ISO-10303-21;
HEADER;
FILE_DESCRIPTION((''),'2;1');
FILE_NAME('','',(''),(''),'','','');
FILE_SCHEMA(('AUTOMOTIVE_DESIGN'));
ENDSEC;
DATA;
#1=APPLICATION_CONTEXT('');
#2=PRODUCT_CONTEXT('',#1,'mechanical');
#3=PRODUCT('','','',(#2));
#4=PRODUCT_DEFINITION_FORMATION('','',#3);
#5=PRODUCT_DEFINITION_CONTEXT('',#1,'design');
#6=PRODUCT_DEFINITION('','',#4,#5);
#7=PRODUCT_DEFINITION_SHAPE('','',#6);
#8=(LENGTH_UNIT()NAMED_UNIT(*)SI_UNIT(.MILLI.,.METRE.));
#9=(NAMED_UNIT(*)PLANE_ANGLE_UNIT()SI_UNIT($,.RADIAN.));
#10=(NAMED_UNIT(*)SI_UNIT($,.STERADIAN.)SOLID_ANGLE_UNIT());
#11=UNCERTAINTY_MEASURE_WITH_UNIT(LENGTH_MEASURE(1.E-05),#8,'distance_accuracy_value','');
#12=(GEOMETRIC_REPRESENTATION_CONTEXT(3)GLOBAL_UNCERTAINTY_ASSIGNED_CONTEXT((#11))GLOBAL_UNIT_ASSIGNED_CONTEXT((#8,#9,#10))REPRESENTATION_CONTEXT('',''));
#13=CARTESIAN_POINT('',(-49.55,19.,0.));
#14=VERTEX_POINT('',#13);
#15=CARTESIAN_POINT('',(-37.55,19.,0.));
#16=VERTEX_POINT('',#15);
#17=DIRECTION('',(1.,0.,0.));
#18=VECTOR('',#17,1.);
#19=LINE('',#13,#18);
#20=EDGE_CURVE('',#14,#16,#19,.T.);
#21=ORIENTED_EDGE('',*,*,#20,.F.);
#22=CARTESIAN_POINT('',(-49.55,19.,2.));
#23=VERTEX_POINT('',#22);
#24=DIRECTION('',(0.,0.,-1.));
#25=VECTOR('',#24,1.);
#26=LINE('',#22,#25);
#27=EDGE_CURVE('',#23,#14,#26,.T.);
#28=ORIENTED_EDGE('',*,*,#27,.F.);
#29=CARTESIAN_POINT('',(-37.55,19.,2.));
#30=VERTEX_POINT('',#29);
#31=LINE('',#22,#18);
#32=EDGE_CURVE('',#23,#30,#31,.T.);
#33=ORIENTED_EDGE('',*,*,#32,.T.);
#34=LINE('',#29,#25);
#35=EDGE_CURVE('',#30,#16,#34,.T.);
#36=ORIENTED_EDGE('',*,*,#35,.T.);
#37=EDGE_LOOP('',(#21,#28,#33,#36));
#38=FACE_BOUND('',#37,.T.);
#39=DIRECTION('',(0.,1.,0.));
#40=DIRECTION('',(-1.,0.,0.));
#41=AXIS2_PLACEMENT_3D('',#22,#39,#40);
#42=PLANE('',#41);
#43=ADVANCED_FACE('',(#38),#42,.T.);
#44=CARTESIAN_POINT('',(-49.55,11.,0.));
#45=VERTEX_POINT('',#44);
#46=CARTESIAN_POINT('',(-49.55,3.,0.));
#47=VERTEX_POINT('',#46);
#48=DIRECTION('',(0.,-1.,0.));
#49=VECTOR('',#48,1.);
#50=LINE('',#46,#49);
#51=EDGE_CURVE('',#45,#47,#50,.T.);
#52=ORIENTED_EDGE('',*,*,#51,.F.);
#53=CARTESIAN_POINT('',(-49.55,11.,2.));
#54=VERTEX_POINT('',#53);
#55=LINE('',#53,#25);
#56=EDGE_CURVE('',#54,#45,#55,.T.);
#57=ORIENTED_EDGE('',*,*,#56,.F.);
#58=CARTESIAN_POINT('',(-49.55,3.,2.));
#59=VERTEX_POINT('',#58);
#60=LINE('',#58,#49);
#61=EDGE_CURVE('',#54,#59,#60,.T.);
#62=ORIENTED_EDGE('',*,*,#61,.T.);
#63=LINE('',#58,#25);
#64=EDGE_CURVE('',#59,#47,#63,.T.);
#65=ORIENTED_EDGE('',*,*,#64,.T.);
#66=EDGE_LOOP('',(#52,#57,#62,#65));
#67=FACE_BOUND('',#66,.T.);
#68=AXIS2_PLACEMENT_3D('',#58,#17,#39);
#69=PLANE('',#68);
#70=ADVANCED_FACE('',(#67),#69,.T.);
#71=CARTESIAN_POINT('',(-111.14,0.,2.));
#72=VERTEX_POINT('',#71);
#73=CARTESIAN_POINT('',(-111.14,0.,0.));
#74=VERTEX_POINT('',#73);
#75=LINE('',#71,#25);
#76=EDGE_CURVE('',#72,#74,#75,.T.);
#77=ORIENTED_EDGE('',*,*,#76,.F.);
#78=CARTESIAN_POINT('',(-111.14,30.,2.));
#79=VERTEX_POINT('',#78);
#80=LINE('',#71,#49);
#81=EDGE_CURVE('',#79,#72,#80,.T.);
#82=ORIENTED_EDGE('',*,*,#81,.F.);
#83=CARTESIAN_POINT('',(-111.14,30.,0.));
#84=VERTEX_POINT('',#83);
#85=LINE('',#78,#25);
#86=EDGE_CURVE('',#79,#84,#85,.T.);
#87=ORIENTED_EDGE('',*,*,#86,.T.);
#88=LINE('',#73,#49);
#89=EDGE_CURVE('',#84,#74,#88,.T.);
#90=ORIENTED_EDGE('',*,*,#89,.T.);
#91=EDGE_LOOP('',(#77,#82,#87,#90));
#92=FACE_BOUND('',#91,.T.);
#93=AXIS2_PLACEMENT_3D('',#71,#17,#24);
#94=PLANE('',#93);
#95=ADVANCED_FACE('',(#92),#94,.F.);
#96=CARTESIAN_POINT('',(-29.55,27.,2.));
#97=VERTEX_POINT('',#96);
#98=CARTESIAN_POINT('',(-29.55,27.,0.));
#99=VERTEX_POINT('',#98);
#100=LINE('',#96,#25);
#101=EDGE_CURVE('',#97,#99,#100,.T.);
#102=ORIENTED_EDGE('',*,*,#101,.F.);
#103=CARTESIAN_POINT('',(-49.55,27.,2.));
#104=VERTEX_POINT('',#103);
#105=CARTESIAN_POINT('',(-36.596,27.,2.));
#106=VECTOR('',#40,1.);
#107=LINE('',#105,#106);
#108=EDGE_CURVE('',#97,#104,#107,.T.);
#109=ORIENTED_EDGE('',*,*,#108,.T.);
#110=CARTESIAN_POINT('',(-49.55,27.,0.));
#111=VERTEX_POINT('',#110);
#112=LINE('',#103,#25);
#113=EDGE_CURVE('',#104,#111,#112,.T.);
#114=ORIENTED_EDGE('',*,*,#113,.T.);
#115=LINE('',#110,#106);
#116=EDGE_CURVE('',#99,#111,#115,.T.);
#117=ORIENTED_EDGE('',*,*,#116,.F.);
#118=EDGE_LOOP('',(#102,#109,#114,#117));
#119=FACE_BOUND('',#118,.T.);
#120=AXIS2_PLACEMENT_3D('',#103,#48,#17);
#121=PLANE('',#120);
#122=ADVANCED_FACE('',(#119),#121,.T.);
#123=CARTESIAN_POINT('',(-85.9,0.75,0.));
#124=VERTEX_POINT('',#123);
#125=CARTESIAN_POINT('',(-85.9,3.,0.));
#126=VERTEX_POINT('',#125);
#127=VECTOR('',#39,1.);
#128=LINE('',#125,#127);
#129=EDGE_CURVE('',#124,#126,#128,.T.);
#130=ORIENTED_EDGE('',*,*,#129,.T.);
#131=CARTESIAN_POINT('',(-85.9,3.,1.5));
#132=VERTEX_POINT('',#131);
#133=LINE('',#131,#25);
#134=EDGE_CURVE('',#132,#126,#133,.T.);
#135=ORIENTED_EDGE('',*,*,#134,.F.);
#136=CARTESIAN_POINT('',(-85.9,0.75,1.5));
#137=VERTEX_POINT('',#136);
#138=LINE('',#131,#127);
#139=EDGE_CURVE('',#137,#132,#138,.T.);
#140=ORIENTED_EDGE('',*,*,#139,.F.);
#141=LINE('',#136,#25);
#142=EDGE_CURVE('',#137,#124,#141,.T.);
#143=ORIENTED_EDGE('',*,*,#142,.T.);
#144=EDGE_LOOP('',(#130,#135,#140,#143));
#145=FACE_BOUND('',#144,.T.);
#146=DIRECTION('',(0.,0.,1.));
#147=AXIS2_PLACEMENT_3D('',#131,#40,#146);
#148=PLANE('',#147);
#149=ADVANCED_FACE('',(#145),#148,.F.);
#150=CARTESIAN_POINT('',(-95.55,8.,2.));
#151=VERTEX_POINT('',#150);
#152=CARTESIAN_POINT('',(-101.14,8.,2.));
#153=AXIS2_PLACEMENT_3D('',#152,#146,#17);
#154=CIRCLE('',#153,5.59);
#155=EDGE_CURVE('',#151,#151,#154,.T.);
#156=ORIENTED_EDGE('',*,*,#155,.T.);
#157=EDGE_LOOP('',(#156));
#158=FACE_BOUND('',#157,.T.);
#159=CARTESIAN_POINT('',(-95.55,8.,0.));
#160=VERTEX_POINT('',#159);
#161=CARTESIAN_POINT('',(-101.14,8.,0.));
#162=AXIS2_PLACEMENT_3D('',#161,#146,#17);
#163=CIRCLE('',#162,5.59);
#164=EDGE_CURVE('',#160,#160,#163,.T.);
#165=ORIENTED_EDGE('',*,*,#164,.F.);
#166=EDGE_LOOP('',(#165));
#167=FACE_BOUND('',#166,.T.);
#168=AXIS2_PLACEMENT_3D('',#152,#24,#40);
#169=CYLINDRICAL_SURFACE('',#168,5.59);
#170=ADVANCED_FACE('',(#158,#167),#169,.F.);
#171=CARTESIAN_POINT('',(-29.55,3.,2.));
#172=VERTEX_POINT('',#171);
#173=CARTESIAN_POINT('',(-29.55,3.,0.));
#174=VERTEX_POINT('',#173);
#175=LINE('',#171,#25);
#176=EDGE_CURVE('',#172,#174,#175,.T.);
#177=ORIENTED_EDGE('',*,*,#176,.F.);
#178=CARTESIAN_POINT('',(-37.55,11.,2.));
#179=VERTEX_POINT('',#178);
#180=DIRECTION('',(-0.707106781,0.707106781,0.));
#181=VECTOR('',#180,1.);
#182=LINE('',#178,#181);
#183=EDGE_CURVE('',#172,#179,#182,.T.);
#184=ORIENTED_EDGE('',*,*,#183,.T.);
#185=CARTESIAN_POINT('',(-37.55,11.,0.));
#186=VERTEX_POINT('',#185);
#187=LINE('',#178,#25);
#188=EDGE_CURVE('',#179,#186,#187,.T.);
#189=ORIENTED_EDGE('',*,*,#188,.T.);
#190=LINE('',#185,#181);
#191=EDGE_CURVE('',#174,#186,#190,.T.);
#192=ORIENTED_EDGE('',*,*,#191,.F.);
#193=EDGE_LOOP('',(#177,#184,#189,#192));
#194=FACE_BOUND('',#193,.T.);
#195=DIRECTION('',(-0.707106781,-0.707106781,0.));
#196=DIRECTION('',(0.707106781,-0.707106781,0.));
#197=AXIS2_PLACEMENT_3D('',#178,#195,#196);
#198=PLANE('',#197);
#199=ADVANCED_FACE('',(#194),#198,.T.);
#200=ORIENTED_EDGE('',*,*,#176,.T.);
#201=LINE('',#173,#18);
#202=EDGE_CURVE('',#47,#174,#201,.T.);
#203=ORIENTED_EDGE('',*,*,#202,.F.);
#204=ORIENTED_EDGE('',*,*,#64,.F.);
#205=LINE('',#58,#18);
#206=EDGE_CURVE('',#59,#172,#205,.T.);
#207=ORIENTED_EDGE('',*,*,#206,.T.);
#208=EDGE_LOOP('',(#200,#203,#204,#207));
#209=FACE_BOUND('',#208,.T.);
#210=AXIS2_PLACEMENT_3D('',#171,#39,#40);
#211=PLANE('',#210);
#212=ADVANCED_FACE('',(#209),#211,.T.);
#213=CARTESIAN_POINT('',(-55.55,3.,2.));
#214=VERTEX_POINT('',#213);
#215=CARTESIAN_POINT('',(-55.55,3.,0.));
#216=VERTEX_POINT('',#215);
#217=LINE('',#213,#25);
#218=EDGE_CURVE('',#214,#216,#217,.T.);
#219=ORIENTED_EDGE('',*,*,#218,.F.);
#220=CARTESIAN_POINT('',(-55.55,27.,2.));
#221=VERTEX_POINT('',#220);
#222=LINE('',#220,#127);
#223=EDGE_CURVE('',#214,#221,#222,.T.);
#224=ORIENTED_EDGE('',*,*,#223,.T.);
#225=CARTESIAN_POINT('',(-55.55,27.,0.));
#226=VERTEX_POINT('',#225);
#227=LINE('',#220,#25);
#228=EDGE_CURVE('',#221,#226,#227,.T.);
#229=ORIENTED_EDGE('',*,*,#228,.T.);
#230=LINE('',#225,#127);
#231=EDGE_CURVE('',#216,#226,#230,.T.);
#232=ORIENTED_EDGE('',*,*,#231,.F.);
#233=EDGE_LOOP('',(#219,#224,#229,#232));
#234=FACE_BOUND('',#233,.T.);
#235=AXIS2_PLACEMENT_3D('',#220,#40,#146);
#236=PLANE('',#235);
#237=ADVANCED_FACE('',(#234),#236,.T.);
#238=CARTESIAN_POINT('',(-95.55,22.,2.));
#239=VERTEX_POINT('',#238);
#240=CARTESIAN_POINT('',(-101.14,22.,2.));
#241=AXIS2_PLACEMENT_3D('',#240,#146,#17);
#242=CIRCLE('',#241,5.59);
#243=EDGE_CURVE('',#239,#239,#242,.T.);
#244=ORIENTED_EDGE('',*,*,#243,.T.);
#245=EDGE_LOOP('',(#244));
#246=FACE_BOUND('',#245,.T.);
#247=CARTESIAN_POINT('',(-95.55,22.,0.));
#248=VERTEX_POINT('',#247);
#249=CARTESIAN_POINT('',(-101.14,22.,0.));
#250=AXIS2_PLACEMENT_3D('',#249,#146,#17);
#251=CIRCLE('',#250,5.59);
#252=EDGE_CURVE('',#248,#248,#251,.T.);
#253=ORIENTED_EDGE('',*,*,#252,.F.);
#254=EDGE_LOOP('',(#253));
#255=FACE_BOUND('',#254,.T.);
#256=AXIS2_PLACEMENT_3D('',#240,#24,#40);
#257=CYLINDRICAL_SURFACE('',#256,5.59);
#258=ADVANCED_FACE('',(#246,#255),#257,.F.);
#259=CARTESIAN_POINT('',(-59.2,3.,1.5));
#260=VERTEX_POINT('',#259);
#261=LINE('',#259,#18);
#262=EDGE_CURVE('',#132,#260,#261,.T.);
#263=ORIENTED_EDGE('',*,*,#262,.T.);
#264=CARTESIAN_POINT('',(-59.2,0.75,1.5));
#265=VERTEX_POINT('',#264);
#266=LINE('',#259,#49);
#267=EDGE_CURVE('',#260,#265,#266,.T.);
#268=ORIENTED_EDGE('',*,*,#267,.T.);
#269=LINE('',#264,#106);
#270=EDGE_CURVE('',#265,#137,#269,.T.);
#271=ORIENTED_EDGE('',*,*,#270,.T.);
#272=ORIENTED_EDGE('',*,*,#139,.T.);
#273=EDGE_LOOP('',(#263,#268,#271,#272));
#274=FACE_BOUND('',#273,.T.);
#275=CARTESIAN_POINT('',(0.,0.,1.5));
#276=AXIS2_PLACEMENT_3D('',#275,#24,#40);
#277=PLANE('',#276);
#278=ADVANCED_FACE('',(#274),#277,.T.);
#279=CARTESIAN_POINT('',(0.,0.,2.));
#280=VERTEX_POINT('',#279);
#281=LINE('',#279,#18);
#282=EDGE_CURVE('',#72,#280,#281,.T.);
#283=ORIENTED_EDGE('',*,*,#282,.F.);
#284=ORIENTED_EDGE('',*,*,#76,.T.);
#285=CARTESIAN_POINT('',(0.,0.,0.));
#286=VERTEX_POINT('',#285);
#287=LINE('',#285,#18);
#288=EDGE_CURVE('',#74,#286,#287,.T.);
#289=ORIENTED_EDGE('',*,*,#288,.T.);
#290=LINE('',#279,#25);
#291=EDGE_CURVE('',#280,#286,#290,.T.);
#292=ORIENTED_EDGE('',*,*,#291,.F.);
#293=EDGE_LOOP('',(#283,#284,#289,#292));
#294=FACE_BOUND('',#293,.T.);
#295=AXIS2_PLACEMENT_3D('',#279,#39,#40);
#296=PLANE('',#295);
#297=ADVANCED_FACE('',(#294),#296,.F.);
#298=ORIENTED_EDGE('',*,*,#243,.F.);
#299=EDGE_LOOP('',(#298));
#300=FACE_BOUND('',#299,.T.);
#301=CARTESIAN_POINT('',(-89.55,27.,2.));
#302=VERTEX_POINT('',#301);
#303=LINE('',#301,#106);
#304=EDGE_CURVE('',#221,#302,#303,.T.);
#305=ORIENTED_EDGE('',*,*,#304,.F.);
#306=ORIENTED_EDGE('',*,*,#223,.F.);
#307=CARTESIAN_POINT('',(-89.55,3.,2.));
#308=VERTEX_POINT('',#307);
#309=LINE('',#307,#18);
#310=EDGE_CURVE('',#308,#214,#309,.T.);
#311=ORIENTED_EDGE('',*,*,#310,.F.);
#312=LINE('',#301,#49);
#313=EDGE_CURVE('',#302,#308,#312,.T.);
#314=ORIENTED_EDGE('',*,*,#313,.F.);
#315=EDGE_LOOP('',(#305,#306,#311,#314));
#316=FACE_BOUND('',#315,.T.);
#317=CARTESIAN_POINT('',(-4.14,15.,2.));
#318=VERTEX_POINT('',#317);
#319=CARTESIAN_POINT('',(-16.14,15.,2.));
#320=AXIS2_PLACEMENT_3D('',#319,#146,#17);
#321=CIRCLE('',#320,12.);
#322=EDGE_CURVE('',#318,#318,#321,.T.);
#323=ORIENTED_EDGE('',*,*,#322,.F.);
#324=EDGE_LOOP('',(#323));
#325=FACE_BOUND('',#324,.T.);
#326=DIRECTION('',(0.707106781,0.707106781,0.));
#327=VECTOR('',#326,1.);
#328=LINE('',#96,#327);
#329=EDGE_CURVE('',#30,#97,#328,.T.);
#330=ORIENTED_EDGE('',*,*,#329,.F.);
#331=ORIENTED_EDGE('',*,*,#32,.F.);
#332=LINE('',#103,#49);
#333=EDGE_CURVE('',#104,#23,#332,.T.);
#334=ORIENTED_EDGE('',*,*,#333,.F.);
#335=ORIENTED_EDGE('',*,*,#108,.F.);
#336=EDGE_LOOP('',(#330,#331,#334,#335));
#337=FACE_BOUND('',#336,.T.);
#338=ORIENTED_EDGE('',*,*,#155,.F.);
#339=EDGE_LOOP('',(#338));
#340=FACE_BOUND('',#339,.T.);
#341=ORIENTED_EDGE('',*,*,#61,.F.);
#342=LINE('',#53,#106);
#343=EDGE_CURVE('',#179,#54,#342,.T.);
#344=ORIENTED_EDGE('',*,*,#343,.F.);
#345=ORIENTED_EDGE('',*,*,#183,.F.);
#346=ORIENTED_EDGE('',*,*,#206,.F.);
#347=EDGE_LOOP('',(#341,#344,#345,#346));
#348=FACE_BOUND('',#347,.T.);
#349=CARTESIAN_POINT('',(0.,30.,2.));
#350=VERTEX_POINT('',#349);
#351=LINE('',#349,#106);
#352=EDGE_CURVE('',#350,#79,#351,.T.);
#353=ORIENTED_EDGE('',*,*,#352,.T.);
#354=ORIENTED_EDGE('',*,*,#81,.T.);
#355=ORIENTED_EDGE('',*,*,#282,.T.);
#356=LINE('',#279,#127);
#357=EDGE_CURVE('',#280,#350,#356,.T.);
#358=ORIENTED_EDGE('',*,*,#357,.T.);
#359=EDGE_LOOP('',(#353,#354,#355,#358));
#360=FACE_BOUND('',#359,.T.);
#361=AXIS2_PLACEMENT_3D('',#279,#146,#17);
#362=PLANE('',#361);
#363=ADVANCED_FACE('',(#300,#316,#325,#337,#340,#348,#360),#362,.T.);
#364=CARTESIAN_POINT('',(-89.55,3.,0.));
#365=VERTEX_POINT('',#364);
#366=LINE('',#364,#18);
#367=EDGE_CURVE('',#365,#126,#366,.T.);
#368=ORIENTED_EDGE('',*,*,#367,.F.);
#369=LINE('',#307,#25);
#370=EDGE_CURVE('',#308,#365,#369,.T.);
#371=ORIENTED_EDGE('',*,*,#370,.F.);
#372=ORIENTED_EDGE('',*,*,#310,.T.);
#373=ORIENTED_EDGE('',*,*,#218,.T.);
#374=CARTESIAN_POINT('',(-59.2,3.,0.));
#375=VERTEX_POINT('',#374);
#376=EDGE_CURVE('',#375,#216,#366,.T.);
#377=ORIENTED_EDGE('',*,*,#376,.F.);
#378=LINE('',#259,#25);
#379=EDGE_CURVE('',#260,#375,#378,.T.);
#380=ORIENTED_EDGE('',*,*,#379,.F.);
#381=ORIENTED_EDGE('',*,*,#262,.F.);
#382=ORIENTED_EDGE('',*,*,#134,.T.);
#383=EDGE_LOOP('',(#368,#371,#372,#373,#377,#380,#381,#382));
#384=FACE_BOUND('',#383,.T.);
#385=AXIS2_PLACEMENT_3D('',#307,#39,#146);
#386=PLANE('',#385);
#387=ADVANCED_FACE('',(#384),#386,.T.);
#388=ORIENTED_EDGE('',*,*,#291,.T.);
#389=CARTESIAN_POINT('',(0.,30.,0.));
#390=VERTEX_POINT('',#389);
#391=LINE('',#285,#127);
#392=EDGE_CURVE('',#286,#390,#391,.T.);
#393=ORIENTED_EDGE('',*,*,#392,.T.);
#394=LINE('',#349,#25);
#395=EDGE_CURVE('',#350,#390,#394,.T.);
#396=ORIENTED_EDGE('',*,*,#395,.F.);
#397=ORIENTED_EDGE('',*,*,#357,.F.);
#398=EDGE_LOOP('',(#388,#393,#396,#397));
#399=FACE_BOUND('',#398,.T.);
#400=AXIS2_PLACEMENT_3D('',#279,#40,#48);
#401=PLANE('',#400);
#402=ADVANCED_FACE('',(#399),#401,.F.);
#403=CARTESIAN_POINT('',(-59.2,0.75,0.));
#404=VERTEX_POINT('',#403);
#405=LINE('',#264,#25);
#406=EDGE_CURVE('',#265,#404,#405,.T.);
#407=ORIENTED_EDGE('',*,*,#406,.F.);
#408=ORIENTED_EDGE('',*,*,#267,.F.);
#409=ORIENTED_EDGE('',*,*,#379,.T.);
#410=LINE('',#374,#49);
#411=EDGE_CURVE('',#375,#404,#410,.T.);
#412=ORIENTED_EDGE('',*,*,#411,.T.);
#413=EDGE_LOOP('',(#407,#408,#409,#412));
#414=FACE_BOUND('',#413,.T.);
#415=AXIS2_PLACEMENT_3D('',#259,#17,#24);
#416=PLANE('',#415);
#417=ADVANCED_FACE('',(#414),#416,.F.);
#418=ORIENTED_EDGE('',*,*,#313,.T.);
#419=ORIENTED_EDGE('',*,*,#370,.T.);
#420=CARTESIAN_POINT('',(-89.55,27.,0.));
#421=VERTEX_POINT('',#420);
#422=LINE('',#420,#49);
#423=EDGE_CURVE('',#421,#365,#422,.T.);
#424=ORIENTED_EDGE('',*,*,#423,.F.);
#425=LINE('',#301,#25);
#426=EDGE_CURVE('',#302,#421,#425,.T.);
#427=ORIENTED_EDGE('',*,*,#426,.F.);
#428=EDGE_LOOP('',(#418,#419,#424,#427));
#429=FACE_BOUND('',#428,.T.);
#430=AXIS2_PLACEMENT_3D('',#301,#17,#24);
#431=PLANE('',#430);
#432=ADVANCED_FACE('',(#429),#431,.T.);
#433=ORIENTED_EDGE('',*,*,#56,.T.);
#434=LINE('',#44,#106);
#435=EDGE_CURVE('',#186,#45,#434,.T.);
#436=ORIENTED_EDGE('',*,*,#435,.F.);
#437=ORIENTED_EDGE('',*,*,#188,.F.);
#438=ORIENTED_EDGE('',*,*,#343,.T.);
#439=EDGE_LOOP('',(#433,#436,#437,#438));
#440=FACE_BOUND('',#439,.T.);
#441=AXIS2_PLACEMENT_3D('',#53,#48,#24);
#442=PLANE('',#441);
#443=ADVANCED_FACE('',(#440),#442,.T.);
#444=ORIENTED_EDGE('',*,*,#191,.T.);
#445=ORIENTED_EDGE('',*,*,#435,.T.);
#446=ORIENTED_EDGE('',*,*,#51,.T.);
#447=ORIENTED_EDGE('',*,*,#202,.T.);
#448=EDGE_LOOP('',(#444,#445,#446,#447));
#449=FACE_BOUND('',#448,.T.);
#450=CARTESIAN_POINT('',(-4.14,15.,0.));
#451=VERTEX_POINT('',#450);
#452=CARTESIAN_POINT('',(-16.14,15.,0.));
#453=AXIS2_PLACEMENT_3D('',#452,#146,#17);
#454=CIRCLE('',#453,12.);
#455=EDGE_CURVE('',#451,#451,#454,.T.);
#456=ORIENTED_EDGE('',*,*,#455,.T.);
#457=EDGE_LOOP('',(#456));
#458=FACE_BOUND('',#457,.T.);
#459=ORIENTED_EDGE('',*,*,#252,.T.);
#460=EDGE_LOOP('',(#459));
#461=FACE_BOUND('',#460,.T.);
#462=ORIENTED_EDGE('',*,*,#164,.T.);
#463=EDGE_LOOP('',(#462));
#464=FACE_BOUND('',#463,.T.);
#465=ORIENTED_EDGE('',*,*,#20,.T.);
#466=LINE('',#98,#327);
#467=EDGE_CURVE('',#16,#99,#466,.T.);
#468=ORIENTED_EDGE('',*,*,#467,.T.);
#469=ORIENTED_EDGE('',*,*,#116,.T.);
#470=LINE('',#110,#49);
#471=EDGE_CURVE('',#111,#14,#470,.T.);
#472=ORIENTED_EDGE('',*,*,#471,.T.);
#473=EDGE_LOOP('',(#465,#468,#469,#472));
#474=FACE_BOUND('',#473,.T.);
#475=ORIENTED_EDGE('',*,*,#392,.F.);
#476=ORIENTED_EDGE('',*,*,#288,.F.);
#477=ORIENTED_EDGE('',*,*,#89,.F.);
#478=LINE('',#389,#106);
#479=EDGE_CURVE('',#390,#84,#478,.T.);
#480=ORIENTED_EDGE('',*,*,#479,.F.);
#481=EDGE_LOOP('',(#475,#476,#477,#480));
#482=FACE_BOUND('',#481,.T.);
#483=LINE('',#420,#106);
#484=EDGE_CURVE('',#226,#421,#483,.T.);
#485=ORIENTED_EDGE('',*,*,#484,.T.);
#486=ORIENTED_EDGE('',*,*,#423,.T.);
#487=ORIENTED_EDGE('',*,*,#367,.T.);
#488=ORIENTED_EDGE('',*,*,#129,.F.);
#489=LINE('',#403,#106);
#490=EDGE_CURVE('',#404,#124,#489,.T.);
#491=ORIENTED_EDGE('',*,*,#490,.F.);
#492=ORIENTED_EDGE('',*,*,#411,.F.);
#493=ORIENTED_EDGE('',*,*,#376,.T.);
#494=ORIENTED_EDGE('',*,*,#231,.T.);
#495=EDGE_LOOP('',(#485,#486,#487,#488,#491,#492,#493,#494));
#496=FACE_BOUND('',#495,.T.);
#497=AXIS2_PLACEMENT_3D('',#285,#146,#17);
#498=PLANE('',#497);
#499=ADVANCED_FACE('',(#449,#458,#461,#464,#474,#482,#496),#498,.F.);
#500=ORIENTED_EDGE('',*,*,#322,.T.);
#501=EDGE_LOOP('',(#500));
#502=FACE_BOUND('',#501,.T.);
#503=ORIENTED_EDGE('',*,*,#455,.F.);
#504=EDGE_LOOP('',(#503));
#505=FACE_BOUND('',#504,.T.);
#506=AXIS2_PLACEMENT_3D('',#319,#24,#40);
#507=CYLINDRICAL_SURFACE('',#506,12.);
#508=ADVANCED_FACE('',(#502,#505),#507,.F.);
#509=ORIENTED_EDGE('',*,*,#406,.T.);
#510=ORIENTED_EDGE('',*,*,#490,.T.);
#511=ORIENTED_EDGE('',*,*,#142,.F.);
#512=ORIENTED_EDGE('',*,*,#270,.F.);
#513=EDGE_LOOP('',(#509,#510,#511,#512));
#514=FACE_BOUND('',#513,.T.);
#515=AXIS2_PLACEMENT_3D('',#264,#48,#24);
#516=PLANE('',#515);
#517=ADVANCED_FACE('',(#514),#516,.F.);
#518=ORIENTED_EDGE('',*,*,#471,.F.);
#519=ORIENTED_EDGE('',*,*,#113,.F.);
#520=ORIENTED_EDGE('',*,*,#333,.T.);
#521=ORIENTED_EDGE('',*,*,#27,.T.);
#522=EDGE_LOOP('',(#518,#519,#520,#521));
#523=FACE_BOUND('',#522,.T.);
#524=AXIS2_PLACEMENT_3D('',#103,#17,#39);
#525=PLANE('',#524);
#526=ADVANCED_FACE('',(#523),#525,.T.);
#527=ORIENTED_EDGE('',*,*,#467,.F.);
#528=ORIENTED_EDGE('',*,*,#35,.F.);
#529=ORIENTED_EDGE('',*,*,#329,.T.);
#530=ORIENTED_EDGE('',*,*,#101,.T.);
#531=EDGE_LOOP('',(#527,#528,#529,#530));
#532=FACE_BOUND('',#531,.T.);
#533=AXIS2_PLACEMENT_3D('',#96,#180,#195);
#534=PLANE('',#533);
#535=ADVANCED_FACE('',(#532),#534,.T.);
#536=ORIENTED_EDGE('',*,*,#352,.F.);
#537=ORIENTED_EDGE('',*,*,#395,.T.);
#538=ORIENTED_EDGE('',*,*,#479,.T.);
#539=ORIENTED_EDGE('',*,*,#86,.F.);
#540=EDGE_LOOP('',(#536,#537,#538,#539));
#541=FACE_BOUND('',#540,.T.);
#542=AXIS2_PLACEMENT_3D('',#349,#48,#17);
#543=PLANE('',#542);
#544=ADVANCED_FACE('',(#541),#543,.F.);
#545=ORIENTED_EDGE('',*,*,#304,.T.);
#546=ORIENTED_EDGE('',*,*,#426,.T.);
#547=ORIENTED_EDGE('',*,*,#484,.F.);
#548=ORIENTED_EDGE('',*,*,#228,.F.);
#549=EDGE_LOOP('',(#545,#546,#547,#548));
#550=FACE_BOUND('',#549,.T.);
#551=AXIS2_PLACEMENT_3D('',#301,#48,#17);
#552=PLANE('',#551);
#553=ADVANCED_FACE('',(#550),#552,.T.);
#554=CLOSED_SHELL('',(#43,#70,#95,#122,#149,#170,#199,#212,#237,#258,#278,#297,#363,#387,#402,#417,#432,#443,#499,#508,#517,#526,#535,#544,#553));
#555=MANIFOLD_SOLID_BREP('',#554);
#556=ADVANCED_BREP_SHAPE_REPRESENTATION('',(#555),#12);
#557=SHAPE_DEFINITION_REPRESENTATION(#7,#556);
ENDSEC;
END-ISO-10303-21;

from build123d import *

# Parameters (mm, degrees)
SKETCH2_W           = 111.14
SKETCH2_H           = 30
SKETCH2_R           = 5.59
SKETCH2_R_2         = 12
SKETCH2_W_2         = 34
SKETCH2_H_2         = 24
BOSS_EXTRUDE1_DEPTH = 2
SKETCH3_W           = 26.7
SKETCH3_H           = 2.25
CUT_EXTRUDE1_DEPTH  = 1.5


with BuildPart() as part:
    # Sketch2 → Boss-Extrude1 (new body)
    with BuildSketch(Plane.XY):
        with Locations((-55.57, 15)):
            Rectangle(SKETCH2_W, SKETCH2_H)
        with Locations((-101.14, 22)):
            Circle(SKETCH2_R, mode=Mode.SUBTRACT)
        with Locations((-101.14, 8)):
            Circle(SKETCH2_R, mode=Mode.SUBTRACT)
        with Locations((-16.14, 15)):
            Circle(SKETCH2_R_2, mode=Mode.SUBTRACT)
        Polygon((-36.596, 27), (-29.55, 27), (-37.55, 19), (-49.55, 19), (-49.55, 27), align=None, mode=Mode.SUBTRACT)
        Polygon((-49.55, 3), (-37.006, 3), (-29.55, 3), (-37.55, 11), (-49.55, 11), align=None, mode=Mode.SUBTRACT)
        with Locations((-72.55, 15)):
            Rectangle(SKETCH2_W_2, SKETCH2_H_2, mode=Mode.SUBTRACT)
    extrude(amount=BOSS_EXTRUDE1_DEPTH)

    # Sketch3 → Cut-Extrude1 (cut)
    with BuildSketch(Plane(origin=(0, 0, 0), x_dir=(-1, 0, 0), z_dir=(0, 0, -1))):
        with Locations((72.55, 1.875)):
            Rectangle(SKETCH3_W, SKETCH3_H)
    extrude(amount=-CUT_EXTRUDE1_DEPTH, mode=Mode.SUBTRACT)


solid = part.part
